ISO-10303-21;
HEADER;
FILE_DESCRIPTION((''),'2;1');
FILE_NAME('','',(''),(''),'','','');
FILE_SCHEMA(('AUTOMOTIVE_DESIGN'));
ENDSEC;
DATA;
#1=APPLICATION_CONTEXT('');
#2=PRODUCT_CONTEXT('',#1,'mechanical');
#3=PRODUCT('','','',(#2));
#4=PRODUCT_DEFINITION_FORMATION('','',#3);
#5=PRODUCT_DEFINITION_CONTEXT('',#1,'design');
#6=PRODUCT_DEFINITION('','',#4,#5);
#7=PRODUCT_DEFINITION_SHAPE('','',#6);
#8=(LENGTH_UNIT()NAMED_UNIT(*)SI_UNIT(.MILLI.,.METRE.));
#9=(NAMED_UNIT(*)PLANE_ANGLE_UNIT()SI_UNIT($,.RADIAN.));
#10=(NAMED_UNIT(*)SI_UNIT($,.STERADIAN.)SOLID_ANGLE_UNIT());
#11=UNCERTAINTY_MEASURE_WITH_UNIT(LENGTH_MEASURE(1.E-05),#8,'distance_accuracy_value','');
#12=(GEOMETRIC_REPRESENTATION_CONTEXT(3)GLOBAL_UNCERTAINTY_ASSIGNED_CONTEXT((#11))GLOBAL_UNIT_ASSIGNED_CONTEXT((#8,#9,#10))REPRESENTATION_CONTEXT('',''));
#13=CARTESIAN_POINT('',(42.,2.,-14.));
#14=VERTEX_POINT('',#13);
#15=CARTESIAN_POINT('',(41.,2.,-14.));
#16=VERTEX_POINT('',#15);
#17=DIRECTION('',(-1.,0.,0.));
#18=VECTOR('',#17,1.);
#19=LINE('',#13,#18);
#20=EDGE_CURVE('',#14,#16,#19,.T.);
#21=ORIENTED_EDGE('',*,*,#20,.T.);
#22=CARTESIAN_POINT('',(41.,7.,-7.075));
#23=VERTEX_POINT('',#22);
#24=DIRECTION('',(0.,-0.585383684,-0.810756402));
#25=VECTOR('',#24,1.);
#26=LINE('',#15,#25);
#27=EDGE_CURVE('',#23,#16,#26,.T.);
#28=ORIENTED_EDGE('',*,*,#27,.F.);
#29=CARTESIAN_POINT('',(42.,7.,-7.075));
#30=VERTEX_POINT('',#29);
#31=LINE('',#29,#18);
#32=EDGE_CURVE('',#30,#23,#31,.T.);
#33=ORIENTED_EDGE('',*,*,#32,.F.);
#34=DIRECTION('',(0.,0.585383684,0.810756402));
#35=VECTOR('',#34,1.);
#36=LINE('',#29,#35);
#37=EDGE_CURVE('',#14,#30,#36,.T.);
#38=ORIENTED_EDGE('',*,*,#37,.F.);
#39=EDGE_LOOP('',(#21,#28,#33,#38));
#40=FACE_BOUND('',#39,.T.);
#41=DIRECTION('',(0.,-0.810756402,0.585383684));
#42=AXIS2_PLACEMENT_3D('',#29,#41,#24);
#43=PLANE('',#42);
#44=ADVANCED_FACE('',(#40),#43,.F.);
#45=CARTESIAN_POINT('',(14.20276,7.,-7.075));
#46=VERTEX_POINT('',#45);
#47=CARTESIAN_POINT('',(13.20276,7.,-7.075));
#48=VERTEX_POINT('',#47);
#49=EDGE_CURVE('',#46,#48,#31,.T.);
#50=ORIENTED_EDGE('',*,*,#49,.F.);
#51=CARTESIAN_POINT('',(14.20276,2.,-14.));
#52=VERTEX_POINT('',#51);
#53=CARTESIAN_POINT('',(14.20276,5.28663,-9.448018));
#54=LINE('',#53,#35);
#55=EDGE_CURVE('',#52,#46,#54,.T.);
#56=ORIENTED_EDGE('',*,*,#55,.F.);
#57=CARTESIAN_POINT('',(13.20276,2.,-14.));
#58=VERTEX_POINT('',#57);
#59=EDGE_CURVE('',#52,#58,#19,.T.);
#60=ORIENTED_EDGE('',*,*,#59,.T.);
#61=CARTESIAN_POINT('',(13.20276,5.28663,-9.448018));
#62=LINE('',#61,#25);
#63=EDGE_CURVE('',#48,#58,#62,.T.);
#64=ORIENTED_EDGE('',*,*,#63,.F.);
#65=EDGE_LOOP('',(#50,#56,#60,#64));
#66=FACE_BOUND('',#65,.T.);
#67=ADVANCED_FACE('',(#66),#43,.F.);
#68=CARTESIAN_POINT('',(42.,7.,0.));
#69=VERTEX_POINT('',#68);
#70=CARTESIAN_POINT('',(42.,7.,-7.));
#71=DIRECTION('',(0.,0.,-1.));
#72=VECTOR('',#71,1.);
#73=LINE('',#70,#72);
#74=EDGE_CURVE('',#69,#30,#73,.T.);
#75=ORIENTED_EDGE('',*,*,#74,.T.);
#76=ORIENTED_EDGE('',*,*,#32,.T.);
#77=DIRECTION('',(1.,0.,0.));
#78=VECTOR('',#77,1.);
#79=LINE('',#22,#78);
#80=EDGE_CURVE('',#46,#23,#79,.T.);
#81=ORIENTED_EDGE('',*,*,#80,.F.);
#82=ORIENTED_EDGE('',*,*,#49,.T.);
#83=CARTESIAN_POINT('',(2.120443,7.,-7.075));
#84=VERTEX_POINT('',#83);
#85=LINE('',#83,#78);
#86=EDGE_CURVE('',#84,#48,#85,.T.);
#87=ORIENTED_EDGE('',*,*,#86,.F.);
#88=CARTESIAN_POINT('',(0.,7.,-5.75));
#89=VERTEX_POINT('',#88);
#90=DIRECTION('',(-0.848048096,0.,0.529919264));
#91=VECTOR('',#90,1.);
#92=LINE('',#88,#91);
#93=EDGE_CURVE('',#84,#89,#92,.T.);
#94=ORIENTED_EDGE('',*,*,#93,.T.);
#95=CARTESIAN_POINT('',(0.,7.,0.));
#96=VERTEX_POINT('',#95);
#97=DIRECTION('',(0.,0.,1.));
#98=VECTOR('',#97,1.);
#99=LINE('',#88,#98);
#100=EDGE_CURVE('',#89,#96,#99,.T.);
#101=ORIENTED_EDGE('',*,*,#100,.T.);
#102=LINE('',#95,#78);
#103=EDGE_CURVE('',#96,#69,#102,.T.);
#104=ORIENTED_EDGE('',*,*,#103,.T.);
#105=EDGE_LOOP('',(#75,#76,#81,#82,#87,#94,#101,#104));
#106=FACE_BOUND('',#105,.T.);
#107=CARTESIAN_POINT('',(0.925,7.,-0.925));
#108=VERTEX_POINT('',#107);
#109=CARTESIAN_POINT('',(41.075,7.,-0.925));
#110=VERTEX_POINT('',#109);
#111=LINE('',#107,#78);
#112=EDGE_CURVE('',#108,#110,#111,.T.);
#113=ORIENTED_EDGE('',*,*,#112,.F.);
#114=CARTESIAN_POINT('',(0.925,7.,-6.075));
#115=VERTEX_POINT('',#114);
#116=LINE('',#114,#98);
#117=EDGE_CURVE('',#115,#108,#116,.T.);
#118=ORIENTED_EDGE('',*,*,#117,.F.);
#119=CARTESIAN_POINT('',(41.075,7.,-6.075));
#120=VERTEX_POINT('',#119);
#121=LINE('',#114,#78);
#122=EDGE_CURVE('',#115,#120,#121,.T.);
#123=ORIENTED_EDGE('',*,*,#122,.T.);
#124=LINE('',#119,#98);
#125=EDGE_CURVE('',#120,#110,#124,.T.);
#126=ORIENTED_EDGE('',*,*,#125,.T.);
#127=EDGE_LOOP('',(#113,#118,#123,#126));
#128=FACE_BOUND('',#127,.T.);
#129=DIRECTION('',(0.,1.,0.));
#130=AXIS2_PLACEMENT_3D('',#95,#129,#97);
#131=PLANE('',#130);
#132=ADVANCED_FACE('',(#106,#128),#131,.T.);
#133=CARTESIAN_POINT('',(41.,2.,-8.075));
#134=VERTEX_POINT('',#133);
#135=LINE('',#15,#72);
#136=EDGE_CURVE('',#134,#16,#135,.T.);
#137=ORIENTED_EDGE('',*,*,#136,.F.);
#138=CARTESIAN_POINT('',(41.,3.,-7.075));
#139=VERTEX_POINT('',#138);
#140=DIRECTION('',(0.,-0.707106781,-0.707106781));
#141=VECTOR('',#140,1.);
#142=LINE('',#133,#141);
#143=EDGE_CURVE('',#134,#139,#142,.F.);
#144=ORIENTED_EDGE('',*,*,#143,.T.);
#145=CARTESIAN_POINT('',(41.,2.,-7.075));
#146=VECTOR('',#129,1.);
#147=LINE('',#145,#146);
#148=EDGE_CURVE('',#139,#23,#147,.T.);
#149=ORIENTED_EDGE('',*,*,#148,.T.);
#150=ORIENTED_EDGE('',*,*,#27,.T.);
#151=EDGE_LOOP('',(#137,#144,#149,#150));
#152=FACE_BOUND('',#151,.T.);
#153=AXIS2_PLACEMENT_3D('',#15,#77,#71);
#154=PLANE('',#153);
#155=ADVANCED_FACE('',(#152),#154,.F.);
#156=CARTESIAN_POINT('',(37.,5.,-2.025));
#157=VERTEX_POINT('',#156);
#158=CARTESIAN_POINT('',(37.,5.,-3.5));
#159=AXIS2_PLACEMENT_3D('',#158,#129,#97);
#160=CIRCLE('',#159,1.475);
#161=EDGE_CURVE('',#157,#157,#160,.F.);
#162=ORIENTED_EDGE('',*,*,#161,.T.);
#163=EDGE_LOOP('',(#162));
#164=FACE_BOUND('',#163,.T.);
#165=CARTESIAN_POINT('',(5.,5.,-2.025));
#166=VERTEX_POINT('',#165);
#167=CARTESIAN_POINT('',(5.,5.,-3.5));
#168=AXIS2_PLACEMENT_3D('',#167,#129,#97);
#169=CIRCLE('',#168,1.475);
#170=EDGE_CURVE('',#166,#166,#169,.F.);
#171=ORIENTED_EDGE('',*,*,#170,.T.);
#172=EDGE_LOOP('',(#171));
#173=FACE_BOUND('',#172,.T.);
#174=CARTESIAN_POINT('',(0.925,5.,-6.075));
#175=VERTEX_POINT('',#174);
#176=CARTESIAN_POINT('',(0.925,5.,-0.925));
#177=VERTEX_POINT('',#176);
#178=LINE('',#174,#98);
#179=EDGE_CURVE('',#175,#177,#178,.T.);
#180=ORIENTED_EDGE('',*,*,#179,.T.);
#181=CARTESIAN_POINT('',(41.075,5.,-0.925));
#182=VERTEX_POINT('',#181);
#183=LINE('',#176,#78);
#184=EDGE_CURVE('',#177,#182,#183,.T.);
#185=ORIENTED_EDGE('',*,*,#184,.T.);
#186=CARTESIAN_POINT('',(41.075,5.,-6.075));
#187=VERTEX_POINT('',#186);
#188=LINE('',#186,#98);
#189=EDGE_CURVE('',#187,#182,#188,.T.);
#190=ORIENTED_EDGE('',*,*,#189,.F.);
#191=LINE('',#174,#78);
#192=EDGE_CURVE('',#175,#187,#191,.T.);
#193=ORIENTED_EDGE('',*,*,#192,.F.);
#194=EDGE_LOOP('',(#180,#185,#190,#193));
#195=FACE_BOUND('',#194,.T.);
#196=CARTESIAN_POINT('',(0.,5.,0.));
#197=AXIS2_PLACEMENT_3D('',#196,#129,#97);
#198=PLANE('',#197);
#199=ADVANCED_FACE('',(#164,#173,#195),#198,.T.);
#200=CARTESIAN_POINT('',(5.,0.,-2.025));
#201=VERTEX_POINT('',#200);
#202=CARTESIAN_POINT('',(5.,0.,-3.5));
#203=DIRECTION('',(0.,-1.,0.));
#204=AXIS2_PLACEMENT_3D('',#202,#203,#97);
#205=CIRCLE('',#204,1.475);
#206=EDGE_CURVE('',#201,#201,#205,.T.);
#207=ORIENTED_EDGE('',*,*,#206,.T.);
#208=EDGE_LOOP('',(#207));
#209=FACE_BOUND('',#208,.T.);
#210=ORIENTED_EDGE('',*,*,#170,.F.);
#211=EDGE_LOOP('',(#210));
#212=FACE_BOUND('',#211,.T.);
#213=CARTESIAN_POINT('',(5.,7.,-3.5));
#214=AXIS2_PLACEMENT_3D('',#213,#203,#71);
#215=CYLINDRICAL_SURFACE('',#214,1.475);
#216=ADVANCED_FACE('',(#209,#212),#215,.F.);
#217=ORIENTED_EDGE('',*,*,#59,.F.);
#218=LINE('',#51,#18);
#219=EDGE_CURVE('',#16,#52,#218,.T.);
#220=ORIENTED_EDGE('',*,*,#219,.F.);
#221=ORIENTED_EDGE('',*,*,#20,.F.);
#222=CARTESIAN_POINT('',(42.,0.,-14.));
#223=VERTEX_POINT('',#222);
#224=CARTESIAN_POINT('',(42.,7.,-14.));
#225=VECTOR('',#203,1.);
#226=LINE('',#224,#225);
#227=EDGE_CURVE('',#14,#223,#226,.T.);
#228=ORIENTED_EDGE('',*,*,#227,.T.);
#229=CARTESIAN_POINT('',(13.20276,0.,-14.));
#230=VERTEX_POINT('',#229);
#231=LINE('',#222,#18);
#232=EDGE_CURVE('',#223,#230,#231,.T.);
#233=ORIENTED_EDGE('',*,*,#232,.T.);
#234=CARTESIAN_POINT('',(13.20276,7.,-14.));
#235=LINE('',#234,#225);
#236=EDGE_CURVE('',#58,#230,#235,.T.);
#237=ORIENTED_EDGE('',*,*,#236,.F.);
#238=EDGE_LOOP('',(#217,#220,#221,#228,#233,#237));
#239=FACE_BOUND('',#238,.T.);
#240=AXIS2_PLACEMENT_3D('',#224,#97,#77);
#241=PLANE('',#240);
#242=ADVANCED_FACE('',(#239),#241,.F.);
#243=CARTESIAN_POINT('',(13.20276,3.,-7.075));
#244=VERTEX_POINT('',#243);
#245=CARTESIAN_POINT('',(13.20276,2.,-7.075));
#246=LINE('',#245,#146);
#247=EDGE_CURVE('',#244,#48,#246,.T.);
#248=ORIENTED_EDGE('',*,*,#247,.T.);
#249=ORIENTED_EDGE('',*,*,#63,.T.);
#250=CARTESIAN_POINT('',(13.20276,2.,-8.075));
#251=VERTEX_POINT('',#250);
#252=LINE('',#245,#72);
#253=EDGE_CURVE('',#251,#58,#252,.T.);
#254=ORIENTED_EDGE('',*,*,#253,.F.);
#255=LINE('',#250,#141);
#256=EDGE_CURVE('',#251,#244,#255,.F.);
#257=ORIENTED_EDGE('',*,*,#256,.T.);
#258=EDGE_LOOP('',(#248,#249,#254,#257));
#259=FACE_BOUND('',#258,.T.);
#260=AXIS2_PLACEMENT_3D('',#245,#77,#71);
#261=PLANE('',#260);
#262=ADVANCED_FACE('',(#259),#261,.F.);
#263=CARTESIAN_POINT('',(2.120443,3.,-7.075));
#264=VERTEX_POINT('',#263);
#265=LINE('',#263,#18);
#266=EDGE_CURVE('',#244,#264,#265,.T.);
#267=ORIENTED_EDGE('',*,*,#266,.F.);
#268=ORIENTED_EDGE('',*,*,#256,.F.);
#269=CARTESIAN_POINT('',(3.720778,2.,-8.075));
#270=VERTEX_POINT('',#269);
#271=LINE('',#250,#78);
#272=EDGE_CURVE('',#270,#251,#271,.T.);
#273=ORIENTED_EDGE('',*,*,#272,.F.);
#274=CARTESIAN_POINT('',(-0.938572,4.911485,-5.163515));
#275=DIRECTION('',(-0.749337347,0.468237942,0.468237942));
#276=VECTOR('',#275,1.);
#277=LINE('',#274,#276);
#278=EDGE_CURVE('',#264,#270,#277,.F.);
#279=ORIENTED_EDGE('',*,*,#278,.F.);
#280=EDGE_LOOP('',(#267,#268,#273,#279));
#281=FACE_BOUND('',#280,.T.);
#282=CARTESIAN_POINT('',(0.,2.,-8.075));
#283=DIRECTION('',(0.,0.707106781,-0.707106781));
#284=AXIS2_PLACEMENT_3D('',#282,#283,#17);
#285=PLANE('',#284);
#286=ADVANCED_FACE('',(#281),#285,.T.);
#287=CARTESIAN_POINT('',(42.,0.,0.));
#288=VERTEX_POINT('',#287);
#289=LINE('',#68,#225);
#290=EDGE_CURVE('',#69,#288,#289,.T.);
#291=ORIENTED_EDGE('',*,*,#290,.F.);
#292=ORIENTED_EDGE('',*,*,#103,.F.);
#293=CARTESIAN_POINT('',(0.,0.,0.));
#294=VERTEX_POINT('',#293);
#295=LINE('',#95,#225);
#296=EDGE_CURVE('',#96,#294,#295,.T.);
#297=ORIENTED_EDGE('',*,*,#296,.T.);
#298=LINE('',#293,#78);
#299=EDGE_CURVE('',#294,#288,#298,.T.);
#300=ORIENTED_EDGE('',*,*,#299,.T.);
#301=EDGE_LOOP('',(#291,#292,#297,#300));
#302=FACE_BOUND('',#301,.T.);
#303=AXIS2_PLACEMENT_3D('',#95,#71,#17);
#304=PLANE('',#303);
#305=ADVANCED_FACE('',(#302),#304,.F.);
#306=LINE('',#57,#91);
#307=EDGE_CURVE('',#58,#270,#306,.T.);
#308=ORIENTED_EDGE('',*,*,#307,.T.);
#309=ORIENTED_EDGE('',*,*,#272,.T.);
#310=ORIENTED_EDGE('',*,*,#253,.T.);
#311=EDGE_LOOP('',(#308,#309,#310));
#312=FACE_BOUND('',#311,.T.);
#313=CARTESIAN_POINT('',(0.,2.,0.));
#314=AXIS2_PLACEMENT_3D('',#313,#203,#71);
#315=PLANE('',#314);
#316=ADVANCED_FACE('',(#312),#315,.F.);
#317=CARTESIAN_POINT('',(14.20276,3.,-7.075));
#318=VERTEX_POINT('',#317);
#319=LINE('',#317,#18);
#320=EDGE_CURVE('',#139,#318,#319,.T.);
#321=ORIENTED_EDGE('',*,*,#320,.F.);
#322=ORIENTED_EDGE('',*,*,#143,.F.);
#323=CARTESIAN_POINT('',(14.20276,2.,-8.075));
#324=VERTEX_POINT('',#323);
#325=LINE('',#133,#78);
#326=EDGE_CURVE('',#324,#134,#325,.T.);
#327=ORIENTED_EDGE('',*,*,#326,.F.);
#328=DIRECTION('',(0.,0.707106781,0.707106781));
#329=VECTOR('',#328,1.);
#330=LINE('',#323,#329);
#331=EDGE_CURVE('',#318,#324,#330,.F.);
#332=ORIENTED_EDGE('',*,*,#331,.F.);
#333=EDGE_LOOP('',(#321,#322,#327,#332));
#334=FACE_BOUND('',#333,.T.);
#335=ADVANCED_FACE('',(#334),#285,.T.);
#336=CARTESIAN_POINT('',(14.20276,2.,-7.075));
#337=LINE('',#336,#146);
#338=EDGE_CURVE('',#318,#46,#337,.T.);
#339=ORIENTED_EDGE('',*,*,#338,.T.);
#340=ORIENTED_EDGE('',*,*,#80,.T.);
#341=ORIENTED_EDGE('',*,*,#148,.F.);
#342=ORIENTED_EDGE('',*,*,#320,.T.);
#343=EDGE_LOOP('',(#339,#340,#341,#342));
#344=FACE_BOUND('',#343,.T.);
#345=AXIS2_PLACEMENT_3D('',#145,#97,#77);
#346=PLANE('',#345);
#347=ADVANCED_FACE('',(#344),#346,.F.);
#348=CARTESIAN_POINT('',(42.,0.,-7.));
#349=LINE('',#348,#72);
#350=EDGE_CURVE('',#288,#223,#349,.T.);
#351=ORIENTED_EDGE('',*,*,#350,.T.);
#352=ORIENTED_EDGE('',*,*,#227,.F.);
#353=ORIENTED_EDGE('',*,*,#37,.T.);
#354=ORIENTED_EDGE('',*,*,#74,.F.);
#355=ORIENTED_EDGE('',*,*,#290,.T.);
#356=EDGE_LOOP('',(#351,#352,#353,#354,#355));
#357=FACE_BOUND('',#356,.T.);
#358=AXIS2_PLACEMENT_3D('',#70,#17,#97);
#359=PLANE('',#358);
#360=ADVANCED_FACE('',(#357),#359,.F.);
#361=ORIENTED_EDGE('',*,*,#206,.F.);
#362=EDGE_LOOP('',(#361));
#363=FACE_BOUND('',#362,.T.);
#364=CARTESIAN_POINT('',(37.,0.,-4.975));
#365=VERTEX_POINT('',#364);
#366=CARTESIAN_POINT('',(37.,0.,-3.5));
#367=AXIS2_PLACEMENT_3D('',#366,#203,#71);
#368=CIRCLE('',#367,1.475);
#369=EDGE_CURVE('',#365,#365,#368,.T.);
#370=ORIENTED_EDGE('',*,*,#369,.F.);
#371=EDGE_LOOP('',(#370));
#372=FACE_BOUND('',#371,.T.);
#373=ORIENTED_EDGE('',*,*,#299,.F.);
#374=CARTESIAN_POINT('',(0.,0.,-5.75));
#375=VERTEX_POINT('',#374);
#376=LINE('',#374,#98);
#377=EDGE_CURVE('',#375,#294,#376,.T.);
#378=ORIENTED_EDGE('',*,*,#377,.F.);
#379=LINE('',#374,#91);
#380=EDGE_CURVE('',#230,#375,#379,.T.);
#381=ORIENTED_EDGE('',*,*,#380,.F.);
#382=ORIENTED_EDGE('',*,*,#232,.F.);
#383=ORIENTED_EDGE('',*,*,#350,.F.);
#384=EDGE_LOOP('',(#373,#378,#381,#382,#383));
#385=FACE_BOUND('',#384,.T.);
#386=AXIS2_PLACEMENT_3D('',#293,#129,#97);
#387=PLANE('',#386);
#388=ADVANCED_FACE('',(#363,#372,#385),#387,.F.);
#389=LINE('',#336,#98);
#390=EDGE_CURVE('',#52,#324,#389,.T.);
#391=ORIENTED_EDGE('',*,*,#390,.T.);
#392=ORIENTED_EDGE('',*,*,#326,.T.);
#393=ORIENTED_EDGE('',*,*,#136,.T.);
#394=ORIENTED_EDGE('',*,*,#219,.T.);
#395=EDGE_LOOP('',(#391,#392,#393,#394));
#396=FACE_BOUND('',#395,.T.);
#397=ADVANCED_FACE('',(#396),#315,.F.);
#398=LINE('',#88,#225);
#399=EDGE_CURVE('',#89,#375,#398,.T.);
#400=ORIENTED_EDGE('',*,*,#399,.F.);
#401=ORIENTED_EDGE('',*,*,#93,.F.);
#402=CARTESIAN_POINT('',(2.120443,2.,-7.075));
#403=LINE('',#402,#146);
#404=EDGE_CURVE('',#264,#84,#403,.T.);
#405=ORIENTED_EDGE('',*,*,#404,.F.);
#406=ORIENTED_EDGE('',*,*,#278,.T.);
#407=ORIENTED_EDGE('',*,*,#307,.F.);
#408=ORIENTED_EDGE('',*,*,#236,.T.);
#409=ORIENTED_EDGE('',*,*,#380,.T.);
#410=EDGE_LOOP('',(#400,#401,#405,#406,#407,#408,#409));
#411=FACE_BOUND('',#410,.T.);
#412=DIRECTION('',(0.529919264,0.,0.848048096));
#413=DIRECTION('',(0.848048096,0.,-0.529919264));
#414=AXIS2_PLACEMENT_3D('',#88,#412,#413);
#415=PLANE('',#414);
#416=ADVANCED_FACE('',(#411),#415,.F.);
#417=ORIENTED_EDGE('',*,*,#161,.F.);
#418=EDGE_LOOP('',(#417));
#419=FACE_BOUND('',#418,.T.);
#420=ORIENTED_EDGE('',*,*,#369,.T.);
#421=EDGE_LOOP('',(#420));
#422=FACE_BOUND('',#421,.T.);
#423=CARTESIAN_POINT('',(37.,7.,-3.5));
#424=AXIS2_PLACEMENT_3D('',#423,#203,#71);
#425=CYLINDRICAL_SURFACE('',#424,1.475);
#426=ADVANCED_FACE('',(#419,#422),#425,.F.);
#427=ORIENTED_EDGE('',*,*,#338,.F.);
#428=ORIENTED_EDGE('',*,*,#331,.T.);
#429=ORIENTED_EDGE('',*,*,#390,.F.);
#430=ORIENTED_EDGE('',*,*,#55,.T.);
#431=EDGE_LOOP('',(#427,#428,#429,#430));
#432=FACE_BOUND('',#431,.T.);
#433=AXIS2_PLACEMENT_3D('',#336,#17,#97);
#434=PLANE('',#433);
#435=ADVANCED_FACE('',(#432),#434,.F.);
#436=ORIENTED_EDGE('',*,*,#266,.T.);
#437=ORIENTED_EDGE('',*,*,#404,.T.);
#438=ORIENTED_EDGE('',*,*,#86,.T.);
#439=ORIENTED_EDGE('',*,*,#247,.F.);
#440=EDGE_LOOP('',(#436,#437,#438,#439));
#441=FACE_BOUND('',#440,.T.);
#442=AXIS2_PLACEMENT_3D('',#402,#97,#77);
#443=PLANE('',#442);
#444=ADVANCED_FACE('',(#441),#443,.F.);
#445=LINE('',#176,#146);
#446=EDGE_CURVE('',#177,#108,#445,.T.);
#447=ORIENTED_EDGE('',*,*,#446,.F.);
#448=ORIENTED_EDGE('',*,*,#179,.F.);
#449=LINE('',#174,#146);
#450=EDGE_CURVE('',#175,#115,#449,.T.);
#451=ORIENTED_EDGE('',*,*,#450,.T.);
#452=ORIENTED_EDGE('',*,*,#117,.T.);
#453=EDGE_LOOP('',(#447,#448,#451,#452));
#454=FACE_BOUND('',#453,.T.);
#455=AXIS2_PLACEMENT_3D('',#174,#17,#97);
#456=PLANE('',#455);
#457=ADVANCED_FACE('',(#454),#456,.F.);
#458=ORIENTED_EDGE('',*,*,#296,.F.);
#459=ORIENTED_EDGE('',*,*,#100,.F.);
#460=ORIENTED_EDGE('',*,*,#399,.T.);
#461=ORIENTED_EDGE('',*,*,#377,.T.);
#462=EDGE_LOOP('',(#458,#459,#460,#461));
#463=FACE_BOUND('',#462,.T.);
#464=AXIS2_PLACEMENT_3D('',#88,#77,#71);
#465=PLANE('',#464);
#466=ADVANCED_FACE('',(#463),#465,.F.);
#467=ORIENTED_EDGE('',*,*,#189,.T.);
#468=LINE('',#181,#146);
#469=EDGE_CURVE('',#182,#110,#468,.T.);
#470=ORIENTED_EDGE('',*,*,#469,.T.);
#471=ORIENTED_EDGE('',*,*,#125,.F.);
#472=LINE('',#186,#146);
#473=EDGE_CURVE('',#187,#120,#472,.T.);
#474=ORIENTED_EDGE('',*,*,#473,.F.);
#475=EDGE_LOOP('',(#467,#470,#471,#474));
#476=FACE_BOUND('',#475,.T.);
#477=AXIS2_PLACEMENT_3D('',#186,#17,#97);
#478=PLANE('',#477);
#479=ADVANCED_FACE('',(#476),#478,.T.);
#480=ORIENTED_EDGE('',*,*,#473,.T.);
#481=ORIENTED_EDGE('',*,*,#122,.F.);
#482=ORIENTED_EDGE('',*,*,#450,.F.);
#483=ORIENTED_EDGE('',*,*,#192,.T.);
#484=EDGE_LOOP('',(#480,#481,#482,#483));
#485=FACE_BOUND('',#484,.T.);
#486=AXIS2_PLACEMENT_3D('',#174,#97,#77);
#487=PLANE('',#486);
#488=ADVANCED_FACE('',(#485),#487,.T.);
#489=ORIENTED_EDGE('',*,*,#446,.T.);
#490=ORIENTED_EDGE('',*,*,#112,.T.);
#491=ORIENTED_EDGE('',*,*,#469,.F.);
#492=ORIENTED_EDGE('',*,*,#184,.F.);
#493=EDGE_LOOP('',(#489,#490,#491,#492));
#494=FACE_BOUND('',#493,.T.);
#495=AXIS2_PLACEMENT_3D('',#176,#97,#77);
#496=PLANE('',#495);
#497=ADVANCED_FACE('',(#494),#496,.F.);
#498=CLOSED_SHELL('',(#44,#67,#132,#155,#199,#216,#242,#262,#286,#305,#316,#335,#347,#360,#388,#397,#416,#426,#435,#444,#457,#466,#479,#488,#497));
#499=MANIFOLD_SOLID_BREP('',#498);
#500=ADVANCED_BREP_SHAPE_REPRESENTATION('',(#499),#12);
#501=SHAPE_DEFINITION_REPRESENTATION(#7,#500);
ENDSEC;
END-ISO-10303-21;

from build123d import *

# Parameters (mm, degrees)
RISER_DEPTH             = 7
SKETCH2_R               = 1.475
MOUNTING_HOLES_DEPTH    = 44.150898021
SKETCH3_W               = 40.15
SKETCH3_H               = 5.15
RECESS_DEPTH            = 2
FLANGE_DEPTH            = 7
SKETCH5_W               = 26.797240136
SKETCH5_H               = 6.925
FLANGE_CUTOUT_DEPTH     = 5
ANGLE_CUTOUT_DEPTH      = 44.886216515
ANGLE_CUTOUT_DEPTH_BACK = 44.886216515
FLANGE_CHAMFER_1_SIZE   = 1
FLANGE_CHAMFER_2_SIZE   = 1


with BuildPart() as part:
    # Sketch1 → Riser (new body)
    with BuildSketch(Plane(origin=(0, 0, 0), x_dir=(1, 0, 0), z_dir=(0, 1, 0))):
        Polygon((2.000418161, 7), (42, 7), (42, 0), (0, 0), (0, 5.75), align=None)
    extrude(amount=RISER_DEPTH)

    # Sketch2 → Mounting Holes (cut, through all)
    with BuildSketch(Plane.XZ):
        with Locations(Location((37, -3.5, 0), (0, 0, 270))):
            Circle(SKETCH2_R)
        with Locations(Location((5, -3.5, 0), (0, 0, 90))):
            Circle(SKETCH2_R)
    extrude(amount=-MOUNTING_HOLES_DEPTH, mode=Mode.SUBTRACT)

    # Sketch3 → Recess (cut)
    with BuildSketch(Plane(origin=(0, 7, 0), x_dir=(1, 0, 0), z_dir=(0, 1, 0))):
        with Locations((21, 3.5)):
            Rectangle(SKETCH3_W, SKETCH3_H)
    extrude(amount=-RECESS_DEPTH, mode=Mode.SUBTRACT)

    # Sketch4 → Flange (add)
    with BuildSketch(Plane(origin=(0, 0, 0), x_dir=(1, 0, 0), z_dir=(0, 1, 0))):
        Polygon((2.000418161, 7), (42, 7), (42, 14), (13.202759864, 14), align=None)
    extrude(amount=FLANGE_DEPTH)

    # Sketch5 → Flange Cutout (cut)
    with BuildSketch(Plane(origin=(0, 7, 0), x_dir=(1, 0, 0), z_dir=(0, 1, 0))):
        with Locations((27.601379932, 10.5375)):
            Rectangle(SKETCH5_W, SKETCH5_H)
        Polygon((2.120443251, 7.075), (13.202759864, 7.075), (13.202759864, 14), align=None)
    extrude(amount=-FLANGE_CUTOUT_DEPTH, mode=Mode.SUBTRACT)

    # Sketch7 → Angle Cutout (cut, two sides: drawn at the far end of the back side and taken through both)
    with BuildSketch(Plane.ZY.offset(-41).offset(-ANGLE_CUTOUT_DEPTH_BACK)):
        Polygon((-7.075, 7), (-14, 2), (-14, 7), align=None)
    extrude(amount=ANGLE_CUTOUT_DEPTH + ANGLE_CUTOUT_DEPTH_BACK, mode=Mode.SUBTRACT)

    # Flange Chamfer 1
    flange_chamfer_1_edges = [part.edges().sort_by_distance(p)[0] for p in [
        (27.601379932, 2, -7.075),
    ]]
    chamfer(flange_chamfer_1_edges, length=FLANGE_CHAMFER_1_SIZE)

    # Flange Chamfer 2
    flange_chamfer_2_edges = [part.edges().sort_by_distance(p)[0] for p in [
        (7.661601558, 2, -7.075),
    ]]
    chamfer(flange_chamfer_2_edges, length=FLANGE_CHAMFER_2_SIZE)


solid = part.part
